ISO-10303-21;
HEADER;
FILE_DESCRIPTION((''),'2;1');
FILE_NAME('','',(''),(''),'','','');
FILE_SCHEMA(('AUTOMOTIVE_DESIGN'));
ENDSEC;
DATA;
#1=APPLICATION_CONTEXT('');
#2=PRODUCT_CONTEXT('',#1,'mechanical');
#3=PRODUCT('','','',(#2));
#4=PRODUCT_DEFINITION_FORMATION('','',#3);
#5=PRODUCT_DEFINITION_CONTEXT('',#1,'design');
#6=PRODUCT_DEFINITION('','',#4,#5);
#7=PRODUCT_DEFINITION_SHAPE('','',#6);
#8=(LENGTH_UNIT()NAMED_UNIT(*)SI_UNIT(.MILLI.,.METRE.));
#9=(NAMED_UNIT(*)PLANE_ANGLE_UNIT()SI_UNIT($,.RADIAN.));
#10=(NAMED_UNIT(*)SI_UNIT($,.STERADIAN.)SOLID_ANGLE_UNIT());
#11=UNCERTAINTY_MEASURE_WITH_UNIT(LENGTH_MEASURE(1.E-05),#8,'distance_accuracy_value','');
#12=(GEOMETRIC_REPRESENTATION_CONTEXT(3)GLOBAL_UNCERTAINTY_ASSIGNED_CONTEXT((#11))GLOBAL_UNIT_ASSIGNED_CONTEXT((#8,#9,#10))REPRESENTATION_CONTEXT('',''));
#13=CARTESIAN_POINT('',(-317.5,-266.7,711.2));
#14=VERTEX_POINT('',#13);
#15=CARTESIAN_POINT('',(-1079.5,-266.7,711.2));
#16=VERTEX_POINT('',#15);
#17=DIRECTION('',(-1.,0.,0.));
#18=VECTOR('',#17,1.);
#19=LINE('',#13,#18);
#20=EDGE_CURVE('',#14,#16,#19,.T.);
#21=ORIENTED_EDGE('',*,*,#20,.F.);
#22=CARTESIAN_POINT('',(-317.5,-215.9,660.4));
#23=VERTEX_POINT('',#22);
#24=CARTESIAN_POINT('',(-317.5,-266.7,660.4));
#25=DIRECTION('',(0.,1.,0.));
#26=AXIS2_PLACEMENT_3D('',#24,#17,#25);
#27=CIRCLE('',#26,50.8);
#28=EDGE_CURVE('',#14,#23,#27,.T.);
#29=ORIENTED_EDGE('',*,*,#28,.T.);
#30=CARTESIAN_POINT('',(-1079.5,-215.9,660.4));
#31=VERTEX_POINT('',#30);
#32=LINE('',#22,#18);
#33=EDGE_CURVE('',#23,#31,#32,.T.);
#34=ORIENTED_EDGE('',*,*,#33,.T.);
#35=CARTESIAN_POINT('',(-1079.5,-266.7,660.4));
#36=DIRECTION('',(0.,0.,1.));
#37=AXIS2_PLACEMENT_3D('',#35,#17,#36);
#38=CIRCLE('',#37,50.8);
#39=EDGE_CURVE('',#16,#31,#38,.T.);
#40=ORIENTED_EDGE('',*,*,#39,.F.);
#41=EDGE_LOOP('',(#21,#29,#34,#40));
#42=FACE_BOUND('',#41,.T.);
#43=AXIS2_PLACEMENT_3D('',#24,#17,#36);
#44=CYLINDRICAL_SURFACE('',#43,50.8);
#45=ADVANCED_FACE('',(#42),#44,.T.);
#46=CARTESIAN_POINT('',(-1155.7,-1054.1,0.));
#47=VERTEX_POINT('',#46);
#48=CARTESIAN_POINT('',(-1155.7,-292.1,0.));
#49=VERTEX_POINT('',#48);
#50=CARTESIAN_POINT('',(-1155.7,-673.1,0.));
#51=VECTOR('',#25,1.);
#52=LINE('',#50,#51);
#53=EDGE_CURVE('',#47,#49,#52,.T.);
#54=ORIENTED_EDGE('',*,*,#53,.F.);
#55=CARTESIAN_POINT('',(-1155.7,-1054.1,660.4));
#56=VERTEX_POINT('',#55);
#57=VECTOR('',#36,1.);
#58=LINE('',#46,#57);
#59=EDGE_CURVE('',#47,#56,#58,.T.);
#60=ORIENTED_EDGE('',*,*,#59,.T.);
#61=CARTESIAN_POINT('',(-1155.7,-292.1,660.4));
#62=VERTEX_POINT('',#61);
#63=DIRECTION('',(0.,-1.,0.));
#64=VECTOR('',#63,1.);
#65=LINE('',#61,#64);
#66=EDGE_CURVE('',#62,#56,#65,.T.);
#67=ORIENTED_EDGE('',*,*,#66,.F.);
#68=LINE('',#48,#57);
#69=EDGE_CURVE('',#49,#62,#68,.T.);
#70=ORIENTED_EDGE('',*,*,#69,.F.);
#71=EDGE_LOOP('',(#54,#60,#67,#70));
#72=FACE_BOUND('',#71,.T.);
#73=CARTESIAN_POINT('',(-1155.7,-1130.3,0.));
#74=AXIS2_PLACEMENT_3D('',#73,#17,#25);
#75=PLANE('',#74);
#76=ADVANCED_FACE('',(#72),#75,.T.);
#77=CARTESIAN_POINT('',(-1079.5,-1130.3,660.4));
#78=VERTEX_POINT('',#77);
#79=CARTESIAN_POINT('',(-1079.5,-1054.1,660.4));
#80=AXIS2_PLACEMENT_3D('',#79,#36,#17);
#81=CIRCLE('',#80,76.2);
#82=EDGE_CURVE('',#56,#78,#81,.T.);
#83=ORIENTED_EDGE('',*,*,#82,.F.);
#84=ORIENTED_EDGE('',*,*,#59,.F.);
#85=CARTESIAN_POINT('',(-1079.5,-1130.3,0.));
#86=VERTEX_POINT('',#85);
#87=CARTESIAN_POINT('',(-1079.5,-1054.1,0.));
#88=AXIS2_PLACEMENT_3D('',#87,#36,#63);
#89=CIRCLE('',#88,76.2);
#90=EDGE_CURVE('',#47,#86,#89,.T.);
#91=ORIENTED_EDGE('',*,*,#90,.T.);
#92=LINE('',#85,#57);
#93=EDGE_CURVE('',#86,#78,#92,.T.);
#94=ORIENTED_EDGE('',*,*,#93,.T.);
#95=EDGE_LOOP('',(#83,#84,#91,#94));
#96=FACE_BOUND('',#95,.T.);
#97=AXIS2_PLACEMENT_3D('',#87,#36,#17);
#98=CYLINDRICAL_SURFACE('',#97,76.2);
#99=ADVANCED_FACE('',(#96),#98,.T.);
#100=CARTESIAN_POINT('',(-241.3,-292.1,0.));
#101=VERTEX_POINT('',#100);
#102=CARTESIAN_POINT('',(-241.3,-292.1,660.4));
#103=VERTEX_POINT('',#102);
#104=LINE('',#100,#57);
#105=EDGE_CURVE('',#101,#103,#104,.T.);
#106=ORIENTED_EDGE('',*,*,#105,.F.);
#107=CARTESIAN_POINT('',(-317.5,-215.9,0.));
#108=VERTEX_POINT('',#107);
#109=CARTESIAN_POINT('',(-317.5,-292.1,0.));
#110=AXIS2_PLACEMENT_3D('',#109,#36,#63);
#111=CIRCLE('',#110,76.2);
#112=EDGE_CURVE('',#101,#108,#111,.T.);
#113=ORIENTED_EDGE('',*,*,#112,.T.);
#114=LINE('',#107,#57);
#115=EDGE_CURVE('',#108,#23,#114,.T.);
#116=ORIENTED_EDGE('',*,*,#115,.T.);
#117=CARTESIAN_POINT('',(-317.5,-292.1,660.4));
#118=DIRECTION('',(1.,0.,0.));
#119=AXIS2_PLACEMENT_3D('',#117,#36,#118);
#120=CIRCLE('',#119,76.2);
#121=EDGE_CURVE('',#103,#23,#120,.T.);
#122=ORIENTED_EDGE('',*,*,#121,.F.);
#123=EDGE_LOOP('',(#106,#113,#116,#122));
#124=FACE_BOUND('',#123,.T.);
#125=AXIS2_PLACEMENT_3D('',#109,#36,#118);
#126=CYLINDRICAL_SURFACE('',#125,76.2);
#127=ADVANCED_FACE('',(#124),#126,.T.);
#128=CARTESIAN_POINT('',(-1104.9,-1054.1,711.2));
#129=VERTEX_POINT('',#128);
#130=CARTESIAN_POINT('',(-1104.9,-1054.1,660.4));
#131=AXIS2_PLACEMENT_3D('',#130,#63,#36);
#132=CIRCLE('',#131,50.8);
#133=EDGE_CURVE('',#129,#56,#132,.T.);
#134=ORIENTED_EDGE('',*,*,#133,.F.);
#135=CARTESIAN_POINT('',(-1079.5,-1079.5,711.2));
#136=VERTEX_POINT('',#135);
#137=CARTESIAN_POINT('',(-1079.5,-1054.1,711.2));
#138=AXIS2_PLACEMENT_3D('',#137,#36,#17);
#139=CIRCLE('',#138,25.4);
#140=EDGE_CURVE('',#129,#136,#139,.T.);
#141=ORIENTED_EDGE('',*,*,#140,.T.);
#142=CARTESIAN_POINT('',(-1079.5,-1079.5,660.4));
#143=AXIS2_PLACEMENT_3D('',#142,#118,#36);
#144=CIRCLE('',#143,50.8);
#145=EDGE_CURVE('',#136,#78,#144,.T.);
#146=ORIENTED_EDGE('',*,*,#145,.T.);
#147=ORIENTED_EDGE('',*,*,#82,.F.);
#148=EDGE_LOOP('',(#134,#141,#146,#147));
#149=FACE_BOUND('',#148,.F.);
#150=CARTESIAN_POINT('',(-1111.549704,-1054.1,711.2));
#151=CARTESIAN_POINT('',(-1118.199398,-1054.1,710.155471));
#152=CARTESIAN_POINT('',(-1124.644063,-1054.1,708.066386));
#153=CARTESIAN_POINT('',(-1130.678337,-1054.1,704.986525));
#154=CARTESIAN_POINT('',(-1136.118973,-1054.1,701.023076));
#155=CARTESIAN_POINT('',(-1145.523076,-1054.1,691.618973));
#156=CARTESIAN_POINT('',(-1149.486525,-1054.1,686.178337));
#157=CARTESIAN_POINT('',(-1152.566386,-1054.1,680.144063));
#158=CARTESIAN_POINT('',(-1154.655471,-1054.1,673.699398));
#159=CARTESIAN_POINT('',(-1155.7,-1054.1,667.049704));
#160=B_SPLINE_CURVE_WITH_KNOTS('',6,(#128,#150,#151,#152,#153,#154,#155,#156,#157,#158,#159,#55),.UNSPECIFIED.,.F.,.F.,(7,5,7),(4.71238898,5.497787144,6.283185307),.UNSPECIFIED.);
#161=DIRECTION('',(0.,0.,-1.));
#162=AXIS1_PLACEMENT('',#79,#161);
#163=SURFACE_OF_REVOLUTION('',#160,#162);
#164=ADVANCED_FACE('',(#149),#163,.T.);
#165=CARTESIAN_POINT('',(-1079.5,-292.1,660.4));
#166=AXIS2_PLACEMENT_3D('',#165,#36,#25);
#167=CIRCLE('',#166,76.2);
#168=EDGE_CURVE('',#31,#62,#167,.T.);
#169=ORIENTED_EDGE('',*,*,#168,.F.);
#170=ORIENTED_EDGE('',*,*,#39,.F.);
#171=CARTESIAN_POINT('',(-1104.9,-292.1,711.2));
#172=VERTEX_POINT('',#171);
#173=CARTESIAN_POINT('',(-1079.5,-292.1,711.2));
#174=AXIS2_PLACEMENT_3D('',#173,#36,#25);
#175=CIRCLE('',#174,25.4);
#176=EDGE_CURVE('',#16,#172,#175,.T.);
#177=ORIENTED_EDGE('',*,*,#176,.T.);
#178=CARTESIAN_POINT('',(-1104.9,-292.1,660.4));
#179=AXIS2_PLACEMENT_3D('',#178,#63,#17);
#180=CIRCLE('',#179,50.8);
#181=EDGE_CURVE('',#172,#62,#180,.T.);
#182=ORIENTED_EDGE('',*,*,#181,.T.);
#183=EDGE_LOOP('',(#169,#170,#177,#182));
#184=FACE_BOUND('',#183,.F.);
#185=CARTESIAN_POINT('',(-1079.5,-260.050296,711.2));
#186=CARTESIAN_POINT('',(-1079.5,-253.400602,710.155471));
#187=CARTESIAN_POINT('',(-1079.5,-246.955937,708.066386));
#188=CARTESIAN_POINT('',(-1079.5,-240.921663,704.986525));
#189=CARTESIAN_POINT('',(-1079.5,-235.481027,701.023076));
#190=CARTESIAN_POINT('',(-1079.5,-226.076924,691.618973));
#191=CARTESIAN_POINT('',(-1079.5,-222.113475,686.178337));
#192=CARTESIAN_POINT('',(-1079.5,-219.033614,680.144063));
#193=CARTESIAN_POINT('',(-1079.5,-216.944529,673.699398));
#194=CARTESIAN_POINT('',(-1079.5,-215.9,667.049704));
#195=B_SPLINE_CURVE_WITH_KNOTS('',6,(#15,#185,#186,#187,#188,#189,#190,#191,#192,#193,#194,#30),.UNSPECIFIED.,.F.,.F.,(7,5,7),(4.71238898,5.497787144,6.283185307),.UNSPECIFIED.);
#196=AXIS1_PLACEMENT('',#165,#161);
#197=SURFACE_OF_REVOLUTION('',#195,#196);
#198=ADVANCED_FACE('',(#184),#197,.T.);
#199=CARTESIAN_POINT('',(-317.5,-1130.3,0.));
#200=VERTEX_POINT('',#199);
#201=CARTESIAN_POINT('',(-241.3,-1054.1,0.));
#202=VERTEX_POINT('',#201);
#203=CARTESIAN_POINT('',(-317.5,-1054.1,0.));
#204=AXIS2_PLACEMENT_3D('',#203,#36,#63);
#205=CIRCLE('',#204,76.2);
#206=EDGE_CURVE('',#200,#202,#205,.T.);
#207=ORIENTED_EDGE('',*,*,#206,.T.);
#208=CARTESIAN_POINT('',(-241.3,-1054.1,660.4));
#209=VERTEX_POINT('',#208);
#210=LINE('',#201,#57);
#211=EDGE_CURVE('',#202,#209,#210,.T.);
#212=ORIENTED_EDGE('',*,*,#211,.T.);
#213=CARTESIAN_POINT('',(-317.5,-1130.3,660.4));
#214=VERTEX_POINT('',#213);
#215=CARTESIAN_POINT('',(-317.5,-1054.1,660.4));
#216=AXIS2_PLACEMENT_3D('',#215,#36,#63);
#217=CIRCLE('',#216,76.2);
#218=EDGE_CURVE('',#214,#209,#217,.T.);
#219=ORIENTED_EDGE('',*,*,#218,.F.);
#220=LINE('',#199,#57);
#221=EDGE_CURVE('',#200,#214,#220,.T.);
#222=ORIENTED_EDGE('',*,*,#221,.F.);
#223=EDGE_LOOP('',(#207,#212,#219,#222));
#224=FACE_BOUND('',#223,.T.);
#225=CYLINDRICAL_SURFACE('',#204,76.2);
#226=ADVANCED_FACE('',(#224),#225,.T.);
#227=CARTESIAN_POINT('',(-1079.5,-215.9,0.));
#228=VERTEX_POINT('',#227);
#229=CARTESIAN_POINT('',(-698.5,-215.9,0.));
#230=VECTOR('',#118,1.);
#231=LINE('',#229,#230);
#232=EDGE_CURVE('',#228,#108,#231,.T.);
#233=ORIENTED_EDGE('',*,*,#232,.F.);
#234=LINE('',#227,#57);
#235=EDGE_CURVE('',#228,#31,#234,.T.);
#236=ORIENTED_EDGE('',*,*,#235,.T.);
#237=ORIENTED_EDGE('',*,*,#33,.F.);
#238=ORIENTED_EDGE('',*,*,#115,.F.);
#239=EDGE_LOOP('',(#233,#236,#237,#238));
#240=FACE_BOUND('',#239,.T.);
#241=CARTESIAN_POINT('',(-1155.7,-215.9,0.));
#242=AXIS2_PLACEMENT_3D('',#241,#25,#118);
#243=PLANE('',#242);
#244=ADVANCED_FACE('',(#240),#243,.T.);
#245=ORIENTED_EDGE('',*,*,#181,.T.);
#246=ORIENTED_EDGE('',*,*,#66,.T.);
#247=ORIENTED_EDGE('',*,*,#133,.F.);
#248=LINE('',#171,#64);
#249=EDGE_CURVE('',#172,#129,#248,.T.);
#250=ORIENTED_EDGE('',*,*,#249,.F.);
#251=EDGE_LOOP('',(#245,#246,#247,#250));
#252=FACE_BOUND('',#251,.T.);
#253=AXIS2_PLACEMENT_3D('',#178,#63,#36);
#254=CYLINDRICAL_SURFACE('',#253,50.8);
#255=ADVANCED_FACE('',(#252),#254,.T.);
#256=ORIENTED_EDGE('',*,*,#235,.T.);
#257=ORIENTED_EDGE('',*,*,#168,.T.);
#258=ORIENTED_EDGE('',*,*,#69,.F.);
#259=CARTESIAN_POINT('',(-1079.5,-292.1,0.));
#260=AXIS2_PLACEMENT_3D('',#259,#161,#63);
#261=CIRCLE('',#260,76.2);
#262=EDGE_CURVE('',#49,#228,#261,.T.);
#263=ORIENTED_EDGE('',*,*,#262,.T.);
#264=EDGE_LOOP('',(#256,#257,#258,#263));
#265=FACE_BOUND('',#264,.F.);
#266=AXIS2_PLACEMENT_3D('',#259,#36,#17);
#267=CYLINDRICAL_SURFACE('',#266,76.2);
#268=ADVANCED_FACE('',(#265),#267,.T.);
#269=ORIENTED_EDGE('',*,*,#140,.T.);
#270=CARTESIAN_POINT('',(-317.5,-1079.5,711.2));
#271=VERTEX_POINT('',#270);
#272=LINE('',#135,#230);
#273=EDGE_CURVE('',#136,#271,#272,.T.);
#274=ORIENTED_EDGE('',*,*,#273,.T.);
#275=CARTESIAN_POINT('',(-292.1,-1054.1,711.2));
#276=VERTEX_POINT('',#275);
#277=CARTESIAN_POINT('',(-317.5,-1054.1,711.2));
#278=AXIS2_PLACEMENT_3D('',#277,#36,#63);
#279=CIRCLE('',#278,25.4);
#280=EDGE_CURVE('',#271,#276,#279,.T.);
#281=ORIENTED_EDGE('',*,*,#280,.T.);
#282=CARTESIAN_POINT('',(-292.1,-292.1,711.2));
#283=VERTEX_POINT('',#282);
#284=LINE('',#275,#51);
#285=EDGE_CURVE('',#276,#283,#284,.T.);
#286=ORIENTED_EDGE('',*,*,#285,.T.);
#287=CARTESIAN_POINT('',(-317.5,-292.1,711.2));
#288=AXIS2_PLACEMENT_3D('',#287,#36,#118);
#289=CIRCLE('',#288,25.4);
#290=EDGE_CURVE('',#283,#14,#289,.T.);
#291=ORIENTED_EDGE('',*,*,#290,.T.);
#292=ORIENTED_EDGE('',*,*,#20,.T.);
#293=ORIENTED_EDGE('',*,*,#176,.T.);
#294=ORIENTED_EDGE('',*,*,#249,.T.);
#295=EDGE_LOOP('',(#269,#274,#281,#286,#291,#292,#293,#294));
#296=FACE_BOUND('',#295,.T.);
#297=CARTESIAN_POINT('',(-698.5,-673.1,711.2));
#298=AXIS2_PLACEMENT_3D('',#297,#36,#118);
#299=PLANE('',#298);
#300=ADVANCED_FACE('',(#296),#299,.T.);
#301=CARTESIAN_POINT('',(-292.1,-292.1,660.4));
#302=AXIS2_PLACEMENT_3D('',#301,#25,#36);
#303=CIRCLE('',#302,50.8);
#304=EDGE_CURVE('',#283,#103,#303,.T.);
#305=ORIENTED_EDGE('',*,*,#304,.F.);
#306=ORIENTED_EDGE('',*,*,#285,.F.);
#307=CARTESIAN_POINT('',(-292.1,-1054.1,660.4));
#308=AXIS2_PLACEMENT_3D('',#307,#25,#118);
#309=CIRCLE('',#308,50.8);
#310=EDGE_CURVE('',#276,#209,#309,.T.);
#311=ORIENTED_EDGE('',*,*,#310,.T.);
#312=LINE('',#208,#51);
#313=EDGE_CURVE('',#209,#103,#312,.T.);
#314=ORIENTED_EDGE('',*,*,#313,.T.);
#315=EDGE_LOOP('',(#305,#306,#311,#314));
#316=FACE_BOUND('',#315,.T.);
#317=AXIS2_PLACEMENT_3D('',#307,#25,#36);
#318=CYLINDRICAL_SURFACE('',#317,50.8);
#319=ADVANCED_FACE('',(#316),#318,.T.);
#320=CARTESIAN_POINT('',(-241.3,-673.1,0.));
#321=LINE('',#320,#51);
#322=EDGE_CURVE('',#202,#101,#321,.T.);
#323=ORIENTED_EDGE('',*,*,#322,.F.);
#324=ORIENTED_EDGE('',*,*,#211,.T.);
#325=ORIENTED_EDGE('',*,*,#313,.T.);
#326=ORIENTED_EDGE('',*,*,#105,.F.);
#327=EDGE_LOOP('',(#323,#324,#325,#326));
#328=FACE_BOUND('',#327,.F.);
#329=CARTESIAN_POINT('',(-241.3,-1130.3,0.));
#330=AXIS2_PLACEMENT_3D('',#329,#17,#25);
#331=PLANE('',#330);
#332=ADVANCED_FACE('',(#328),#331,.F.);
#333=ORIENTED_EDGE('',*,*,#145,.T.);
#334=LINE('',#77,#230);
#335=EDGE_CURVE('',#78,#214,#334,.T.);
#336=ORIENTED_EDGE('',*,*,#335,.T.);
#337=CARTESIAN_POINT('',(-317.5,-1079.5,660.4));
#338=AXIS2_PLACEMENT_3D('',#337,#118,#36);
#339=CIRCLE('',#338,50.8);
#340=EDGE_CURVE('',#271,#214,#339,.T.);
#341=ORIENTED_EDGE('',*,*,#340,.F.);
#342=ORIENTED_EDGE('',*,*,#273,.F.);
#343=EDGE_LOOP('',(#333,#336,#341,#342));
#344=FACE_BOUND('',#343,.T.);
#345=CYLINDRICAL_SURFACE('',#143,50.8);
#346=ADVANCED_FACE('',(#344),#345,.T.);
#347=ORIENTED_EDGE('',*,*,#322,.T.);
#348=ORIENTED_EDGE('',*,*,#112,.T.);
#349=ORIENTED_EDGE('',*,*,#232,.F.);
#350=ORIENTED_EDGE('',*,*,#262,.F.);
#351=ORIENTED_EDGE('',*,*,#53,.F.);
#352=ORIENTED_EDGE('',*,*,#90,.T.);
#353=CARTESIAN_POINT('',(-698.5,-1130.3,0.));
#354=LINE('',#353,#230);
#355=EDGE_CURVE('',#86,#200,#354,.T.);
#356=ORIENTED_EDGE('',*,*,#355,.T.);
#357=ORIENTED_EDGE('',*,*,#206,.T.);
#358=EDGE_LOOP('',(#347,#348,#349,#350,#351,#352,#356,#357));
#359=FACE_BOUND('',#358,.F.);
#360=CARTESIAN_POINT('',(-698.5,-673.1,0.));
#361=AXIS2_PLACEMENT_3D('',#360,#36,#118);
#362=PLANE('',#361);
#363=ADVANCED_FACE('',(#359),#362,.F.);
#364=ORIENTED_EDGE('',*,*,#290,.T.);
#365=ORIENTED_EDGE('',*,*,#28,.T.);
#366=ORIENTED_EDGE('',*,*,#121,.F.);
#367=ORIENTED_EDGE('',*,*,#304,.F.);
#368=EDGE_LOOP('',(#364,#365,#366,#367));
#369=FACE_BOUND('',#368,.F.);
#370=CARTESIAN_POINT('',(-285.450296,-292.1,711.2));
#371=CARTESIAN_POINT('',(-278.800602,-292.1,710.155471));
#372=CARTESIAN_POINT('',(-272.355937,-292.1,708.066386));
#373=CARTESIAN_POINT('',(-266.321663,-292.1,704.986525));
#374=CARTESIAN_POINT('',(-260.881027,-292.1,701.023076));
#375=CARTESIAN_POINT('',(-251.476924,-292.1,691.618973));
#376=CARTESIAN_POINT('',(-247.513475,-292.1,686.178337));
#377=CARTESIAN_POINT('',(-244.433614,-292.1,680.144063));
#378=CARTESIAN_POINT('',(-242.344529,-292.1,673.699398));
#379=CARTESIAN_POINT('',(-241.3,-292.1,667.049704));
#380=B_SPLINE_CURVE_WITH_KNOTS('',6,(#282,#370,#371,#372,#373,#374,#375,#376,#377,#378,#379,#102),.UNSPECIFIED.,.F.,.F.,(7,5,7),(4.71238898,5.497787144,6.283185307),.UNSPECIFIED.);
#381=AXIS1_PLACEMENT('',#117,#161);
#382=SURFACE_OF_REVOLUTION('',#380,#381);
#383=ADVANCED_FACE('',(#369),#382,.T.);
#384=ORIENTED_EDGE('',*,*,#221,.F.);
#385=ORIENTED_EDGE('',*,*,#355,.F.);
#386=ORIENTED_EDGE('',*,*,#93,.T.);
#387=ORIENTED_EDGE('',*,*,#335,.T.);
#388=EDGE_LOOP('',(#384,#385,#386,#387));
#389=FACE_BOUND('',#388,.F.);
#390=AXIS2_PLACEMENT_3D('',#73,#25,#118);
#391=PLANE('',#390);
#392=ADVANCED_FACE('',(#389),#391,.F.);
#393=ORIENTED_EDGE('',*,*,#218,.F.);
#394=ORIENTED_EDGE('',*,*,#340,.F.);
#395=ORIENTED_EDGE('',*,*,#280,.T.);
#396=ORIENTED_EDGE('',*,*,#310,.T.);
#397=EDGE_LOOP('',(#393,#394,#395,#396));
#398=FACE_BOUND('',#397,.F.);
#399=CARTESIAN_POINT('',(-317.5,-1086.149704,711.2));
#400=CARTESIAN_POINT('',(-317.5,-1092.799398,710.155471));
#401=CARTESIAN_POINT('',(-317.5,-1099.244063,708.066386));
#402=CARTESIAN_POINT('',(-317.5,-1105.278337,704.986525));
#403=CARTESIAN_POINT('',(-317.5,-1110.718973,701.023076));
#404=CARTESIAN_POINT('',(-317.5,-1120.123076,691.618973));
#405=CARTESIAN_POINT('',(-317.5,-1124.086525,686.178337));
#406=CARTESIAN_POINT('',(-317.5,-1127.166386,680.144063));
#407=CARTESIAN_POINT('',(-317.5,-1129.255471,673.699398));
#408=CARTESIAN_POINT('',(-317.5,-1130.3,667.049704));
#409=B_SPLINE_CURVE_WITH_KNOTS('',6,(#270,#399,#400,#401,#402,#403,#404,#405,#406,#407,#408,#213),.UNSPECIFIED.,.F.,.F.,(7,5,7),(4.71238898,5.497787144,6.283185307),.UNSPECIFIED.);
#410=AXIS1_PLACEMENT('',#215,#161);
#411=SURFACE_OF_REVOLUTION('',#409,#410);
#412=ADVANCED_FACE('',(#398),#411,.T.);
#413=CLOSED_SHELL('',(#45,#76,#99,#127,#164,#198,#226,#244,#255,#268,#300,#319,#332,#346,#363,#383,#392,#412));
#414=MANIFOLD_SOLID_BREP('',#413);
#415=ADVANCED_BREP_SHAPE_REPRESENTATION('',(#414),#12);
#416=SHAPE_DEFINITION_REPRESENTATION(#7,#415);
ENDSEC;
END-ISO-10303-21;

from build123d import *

# Parameters (mm, degrees)
F0_W     = 914.4
F0_H     = 914.4
F1_DEPTH = 711.2
F2_R     = 76.2
F3_R     = 50.8


with BuildPart() as f1:
    # F0 (on Top) → F1 (new body)
    with BuildSketch(Plane.XY):
        with Locations((-698.5, -673.1)):
            Rectangle(F0_W, F0_H)
    extrude(amount=F1_DEPTH)

    # F2
    f2_edges = [f1.edges().sort_by_distance(p)[0] for p in [
        (-1155.7, -1130.3, 355.6),
        (-1155.7, -215.9, 355.6),
        (-241.3, -1130.3, 355.6),
        (-241.3, -215.9, 355.6),
    ]]
    fillet(f2_edges, radius=F2_R)

    # F3
    f3_edges = [f1.edges().sort_by_distance(p)[0] for p in [
        (-698.5, -1130.3, 711.2),
    ]]
    fillet(f3_edges, radius=F3_R)


solid = f1.part
